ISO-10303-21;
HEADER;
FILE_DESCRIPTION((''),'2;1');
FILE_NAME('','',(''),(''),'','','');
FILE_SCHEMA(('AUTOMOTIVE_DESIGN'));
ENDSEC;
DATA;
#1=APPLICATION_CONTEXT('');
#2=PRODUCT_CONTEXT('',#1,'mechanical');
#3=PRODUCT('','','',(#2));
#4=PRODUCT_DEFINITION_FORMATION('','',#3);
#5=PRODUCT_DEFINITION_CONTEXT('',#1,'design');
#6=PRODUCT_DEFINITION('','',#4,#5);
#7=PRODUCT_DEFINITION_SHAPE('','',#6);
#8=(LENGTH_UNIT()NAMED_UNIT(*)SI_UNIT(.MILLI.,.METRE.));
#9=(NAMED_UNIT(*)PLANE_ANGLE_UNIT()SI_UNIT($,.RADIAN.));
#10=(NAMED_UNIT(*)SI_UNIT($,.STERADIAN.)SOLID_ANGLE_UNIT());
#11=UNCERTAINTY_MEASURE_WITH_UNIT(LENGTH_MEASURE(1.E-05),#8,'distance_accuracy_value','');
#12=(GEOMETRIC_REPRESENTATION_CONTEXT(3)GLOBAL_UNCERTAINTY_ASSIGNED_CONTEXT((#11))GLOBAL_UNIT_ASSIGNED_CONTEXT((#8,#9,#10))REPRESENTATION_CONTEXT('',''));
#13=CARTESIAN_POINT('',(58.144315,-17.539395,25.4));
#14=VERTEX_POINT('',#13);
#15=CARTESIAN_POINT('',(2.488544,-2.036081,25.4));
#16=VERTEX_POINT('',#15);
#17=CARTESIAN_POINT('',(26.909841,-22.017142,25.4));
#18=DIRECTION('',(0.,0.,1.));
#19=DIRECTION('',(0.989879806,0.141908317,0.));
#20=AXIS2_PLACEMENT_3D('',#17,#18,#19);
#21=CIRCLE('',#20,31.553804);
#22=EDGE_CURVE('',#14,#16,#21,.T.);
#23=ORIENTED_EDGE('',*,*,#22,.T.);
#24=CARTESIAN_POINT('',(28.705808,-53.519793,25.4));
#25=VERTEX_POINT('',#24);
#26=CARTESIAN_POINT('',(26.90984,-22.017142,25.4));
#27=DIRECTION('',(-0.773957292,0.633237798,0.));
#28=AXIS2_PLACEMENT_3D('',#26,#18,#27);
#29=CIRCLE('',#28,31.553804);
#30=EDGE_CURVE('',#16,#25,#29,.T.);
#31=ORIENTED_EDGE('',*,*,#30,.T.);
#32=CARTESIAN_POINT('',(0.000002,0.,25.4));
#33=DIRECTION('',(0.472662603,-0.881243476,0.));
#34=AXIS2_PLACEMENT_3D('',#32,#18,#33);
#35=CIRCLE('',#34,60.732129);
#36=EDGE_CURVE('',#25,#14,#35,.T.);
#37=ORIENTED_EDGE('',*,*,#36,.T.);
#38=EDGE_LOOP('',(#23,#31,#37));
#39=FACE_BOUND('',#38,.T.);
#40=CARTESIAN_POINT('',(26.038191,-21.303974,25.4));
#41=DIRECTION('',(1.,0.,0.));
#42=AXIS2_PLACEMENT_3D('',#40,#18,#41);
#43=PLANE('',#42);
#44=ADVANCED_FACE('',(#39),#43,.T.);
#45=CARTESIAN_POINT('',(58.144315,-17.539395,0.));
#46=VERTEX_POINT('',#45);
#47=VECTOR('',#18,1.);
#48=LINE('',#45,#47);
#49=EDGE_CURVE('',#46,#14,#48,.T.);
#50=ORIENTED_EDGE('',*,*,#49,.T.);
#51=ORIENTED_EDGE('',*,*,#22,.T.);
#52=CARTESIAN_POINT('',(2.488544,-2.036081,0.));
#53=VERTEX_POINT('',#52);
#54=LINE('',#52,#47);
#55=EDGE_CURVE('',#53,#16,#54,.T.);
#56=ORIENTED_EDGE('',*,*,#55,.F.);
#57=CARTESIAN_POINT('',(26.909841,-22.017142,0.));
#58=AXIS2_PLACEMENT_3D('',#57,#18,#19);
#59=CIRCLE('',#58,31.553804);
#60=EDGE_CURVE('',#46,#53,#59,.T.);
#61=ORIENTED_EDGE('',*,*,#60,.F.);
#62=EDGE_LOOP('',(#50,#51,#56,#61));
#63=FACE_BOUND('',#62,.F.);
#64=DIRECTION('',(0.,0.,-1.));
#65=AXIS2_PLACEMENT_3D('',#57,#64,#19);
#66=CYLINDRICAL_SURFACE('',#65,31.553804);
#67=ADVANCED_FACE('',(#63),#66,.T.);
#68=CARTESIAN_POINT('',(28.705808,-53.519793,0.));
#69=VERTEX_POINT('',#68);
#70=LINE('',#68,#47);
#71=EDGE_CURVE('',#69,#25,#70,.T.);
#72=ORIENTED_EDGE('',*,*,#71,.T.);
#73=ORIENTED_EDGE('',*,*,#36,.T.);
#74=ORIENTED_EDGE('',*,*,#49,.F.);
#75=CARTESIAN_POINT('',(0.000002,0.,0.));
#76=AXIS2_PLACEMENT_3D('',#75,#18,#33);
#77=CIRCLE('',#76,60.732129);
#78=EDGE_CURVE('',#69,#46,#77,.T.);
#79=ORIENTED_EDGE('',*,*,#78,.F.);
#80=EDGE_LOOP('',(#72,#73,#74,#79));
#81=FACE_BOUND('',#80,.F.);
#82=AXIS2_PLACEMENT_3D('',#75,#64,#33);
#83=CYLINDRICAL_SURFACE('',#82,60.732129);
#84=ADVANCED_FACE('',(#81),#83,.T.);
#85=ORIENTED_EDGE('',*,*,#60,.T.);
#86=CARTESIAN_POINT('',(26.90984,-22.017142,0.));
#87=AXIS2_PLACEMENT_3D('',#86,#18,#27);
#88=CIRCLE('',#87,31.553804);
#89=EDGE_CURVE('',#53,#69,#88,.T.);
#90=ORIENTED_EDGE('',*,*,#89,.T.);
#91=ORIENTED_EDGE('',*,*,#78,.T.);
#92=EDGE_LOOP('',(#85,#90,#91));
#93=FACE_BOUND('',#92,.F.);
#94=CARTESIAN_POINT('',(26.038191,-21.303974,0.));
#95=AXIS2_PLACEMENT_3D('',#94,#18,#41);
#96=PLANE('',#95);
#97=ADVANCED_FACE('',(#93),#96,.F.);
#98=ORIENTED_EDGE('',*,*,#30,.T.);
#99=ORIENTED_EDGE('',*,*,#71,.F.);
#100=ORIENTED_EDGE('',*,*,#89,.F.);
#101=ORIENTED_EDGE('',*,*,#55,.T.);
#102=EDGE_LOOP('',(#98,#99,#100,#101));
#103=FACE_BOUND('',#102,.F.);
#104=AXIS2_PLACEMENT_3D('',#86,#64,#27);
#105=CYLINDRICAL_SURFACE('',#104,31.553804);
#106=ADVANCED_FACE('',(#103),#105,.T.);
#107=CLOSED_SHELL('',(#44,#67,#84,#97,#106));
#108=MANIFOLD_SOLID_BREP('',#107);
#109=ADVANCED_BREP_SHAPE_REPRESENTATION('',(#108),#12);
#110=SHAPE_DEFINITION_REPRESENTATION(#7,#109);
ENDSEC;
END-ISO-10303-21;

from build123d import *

# Parameters (mm, degrees)
F1_DEPTH = 25.4


with BuildPart() as f1:
    # F0 (on Top) → F1 (new body)
    with BuildSketch(Plane.XY):
        with BuildLine():
            ThreePointArc((2.488544, -2.036081), (-1.208117, -36.335766), (28.705808, -53.519793))
            ThreePointArc((28.705808, -53.519793), (47.004077, -38.457879), (58.144315, -17.539395))
            ThreePointArc((58.144315, -17.539395), (35.377015, 8.379396), (2.488544, -2.036081))
        make_face()
    extrude(amount=F1_DEPTH)


solid = f1.part
